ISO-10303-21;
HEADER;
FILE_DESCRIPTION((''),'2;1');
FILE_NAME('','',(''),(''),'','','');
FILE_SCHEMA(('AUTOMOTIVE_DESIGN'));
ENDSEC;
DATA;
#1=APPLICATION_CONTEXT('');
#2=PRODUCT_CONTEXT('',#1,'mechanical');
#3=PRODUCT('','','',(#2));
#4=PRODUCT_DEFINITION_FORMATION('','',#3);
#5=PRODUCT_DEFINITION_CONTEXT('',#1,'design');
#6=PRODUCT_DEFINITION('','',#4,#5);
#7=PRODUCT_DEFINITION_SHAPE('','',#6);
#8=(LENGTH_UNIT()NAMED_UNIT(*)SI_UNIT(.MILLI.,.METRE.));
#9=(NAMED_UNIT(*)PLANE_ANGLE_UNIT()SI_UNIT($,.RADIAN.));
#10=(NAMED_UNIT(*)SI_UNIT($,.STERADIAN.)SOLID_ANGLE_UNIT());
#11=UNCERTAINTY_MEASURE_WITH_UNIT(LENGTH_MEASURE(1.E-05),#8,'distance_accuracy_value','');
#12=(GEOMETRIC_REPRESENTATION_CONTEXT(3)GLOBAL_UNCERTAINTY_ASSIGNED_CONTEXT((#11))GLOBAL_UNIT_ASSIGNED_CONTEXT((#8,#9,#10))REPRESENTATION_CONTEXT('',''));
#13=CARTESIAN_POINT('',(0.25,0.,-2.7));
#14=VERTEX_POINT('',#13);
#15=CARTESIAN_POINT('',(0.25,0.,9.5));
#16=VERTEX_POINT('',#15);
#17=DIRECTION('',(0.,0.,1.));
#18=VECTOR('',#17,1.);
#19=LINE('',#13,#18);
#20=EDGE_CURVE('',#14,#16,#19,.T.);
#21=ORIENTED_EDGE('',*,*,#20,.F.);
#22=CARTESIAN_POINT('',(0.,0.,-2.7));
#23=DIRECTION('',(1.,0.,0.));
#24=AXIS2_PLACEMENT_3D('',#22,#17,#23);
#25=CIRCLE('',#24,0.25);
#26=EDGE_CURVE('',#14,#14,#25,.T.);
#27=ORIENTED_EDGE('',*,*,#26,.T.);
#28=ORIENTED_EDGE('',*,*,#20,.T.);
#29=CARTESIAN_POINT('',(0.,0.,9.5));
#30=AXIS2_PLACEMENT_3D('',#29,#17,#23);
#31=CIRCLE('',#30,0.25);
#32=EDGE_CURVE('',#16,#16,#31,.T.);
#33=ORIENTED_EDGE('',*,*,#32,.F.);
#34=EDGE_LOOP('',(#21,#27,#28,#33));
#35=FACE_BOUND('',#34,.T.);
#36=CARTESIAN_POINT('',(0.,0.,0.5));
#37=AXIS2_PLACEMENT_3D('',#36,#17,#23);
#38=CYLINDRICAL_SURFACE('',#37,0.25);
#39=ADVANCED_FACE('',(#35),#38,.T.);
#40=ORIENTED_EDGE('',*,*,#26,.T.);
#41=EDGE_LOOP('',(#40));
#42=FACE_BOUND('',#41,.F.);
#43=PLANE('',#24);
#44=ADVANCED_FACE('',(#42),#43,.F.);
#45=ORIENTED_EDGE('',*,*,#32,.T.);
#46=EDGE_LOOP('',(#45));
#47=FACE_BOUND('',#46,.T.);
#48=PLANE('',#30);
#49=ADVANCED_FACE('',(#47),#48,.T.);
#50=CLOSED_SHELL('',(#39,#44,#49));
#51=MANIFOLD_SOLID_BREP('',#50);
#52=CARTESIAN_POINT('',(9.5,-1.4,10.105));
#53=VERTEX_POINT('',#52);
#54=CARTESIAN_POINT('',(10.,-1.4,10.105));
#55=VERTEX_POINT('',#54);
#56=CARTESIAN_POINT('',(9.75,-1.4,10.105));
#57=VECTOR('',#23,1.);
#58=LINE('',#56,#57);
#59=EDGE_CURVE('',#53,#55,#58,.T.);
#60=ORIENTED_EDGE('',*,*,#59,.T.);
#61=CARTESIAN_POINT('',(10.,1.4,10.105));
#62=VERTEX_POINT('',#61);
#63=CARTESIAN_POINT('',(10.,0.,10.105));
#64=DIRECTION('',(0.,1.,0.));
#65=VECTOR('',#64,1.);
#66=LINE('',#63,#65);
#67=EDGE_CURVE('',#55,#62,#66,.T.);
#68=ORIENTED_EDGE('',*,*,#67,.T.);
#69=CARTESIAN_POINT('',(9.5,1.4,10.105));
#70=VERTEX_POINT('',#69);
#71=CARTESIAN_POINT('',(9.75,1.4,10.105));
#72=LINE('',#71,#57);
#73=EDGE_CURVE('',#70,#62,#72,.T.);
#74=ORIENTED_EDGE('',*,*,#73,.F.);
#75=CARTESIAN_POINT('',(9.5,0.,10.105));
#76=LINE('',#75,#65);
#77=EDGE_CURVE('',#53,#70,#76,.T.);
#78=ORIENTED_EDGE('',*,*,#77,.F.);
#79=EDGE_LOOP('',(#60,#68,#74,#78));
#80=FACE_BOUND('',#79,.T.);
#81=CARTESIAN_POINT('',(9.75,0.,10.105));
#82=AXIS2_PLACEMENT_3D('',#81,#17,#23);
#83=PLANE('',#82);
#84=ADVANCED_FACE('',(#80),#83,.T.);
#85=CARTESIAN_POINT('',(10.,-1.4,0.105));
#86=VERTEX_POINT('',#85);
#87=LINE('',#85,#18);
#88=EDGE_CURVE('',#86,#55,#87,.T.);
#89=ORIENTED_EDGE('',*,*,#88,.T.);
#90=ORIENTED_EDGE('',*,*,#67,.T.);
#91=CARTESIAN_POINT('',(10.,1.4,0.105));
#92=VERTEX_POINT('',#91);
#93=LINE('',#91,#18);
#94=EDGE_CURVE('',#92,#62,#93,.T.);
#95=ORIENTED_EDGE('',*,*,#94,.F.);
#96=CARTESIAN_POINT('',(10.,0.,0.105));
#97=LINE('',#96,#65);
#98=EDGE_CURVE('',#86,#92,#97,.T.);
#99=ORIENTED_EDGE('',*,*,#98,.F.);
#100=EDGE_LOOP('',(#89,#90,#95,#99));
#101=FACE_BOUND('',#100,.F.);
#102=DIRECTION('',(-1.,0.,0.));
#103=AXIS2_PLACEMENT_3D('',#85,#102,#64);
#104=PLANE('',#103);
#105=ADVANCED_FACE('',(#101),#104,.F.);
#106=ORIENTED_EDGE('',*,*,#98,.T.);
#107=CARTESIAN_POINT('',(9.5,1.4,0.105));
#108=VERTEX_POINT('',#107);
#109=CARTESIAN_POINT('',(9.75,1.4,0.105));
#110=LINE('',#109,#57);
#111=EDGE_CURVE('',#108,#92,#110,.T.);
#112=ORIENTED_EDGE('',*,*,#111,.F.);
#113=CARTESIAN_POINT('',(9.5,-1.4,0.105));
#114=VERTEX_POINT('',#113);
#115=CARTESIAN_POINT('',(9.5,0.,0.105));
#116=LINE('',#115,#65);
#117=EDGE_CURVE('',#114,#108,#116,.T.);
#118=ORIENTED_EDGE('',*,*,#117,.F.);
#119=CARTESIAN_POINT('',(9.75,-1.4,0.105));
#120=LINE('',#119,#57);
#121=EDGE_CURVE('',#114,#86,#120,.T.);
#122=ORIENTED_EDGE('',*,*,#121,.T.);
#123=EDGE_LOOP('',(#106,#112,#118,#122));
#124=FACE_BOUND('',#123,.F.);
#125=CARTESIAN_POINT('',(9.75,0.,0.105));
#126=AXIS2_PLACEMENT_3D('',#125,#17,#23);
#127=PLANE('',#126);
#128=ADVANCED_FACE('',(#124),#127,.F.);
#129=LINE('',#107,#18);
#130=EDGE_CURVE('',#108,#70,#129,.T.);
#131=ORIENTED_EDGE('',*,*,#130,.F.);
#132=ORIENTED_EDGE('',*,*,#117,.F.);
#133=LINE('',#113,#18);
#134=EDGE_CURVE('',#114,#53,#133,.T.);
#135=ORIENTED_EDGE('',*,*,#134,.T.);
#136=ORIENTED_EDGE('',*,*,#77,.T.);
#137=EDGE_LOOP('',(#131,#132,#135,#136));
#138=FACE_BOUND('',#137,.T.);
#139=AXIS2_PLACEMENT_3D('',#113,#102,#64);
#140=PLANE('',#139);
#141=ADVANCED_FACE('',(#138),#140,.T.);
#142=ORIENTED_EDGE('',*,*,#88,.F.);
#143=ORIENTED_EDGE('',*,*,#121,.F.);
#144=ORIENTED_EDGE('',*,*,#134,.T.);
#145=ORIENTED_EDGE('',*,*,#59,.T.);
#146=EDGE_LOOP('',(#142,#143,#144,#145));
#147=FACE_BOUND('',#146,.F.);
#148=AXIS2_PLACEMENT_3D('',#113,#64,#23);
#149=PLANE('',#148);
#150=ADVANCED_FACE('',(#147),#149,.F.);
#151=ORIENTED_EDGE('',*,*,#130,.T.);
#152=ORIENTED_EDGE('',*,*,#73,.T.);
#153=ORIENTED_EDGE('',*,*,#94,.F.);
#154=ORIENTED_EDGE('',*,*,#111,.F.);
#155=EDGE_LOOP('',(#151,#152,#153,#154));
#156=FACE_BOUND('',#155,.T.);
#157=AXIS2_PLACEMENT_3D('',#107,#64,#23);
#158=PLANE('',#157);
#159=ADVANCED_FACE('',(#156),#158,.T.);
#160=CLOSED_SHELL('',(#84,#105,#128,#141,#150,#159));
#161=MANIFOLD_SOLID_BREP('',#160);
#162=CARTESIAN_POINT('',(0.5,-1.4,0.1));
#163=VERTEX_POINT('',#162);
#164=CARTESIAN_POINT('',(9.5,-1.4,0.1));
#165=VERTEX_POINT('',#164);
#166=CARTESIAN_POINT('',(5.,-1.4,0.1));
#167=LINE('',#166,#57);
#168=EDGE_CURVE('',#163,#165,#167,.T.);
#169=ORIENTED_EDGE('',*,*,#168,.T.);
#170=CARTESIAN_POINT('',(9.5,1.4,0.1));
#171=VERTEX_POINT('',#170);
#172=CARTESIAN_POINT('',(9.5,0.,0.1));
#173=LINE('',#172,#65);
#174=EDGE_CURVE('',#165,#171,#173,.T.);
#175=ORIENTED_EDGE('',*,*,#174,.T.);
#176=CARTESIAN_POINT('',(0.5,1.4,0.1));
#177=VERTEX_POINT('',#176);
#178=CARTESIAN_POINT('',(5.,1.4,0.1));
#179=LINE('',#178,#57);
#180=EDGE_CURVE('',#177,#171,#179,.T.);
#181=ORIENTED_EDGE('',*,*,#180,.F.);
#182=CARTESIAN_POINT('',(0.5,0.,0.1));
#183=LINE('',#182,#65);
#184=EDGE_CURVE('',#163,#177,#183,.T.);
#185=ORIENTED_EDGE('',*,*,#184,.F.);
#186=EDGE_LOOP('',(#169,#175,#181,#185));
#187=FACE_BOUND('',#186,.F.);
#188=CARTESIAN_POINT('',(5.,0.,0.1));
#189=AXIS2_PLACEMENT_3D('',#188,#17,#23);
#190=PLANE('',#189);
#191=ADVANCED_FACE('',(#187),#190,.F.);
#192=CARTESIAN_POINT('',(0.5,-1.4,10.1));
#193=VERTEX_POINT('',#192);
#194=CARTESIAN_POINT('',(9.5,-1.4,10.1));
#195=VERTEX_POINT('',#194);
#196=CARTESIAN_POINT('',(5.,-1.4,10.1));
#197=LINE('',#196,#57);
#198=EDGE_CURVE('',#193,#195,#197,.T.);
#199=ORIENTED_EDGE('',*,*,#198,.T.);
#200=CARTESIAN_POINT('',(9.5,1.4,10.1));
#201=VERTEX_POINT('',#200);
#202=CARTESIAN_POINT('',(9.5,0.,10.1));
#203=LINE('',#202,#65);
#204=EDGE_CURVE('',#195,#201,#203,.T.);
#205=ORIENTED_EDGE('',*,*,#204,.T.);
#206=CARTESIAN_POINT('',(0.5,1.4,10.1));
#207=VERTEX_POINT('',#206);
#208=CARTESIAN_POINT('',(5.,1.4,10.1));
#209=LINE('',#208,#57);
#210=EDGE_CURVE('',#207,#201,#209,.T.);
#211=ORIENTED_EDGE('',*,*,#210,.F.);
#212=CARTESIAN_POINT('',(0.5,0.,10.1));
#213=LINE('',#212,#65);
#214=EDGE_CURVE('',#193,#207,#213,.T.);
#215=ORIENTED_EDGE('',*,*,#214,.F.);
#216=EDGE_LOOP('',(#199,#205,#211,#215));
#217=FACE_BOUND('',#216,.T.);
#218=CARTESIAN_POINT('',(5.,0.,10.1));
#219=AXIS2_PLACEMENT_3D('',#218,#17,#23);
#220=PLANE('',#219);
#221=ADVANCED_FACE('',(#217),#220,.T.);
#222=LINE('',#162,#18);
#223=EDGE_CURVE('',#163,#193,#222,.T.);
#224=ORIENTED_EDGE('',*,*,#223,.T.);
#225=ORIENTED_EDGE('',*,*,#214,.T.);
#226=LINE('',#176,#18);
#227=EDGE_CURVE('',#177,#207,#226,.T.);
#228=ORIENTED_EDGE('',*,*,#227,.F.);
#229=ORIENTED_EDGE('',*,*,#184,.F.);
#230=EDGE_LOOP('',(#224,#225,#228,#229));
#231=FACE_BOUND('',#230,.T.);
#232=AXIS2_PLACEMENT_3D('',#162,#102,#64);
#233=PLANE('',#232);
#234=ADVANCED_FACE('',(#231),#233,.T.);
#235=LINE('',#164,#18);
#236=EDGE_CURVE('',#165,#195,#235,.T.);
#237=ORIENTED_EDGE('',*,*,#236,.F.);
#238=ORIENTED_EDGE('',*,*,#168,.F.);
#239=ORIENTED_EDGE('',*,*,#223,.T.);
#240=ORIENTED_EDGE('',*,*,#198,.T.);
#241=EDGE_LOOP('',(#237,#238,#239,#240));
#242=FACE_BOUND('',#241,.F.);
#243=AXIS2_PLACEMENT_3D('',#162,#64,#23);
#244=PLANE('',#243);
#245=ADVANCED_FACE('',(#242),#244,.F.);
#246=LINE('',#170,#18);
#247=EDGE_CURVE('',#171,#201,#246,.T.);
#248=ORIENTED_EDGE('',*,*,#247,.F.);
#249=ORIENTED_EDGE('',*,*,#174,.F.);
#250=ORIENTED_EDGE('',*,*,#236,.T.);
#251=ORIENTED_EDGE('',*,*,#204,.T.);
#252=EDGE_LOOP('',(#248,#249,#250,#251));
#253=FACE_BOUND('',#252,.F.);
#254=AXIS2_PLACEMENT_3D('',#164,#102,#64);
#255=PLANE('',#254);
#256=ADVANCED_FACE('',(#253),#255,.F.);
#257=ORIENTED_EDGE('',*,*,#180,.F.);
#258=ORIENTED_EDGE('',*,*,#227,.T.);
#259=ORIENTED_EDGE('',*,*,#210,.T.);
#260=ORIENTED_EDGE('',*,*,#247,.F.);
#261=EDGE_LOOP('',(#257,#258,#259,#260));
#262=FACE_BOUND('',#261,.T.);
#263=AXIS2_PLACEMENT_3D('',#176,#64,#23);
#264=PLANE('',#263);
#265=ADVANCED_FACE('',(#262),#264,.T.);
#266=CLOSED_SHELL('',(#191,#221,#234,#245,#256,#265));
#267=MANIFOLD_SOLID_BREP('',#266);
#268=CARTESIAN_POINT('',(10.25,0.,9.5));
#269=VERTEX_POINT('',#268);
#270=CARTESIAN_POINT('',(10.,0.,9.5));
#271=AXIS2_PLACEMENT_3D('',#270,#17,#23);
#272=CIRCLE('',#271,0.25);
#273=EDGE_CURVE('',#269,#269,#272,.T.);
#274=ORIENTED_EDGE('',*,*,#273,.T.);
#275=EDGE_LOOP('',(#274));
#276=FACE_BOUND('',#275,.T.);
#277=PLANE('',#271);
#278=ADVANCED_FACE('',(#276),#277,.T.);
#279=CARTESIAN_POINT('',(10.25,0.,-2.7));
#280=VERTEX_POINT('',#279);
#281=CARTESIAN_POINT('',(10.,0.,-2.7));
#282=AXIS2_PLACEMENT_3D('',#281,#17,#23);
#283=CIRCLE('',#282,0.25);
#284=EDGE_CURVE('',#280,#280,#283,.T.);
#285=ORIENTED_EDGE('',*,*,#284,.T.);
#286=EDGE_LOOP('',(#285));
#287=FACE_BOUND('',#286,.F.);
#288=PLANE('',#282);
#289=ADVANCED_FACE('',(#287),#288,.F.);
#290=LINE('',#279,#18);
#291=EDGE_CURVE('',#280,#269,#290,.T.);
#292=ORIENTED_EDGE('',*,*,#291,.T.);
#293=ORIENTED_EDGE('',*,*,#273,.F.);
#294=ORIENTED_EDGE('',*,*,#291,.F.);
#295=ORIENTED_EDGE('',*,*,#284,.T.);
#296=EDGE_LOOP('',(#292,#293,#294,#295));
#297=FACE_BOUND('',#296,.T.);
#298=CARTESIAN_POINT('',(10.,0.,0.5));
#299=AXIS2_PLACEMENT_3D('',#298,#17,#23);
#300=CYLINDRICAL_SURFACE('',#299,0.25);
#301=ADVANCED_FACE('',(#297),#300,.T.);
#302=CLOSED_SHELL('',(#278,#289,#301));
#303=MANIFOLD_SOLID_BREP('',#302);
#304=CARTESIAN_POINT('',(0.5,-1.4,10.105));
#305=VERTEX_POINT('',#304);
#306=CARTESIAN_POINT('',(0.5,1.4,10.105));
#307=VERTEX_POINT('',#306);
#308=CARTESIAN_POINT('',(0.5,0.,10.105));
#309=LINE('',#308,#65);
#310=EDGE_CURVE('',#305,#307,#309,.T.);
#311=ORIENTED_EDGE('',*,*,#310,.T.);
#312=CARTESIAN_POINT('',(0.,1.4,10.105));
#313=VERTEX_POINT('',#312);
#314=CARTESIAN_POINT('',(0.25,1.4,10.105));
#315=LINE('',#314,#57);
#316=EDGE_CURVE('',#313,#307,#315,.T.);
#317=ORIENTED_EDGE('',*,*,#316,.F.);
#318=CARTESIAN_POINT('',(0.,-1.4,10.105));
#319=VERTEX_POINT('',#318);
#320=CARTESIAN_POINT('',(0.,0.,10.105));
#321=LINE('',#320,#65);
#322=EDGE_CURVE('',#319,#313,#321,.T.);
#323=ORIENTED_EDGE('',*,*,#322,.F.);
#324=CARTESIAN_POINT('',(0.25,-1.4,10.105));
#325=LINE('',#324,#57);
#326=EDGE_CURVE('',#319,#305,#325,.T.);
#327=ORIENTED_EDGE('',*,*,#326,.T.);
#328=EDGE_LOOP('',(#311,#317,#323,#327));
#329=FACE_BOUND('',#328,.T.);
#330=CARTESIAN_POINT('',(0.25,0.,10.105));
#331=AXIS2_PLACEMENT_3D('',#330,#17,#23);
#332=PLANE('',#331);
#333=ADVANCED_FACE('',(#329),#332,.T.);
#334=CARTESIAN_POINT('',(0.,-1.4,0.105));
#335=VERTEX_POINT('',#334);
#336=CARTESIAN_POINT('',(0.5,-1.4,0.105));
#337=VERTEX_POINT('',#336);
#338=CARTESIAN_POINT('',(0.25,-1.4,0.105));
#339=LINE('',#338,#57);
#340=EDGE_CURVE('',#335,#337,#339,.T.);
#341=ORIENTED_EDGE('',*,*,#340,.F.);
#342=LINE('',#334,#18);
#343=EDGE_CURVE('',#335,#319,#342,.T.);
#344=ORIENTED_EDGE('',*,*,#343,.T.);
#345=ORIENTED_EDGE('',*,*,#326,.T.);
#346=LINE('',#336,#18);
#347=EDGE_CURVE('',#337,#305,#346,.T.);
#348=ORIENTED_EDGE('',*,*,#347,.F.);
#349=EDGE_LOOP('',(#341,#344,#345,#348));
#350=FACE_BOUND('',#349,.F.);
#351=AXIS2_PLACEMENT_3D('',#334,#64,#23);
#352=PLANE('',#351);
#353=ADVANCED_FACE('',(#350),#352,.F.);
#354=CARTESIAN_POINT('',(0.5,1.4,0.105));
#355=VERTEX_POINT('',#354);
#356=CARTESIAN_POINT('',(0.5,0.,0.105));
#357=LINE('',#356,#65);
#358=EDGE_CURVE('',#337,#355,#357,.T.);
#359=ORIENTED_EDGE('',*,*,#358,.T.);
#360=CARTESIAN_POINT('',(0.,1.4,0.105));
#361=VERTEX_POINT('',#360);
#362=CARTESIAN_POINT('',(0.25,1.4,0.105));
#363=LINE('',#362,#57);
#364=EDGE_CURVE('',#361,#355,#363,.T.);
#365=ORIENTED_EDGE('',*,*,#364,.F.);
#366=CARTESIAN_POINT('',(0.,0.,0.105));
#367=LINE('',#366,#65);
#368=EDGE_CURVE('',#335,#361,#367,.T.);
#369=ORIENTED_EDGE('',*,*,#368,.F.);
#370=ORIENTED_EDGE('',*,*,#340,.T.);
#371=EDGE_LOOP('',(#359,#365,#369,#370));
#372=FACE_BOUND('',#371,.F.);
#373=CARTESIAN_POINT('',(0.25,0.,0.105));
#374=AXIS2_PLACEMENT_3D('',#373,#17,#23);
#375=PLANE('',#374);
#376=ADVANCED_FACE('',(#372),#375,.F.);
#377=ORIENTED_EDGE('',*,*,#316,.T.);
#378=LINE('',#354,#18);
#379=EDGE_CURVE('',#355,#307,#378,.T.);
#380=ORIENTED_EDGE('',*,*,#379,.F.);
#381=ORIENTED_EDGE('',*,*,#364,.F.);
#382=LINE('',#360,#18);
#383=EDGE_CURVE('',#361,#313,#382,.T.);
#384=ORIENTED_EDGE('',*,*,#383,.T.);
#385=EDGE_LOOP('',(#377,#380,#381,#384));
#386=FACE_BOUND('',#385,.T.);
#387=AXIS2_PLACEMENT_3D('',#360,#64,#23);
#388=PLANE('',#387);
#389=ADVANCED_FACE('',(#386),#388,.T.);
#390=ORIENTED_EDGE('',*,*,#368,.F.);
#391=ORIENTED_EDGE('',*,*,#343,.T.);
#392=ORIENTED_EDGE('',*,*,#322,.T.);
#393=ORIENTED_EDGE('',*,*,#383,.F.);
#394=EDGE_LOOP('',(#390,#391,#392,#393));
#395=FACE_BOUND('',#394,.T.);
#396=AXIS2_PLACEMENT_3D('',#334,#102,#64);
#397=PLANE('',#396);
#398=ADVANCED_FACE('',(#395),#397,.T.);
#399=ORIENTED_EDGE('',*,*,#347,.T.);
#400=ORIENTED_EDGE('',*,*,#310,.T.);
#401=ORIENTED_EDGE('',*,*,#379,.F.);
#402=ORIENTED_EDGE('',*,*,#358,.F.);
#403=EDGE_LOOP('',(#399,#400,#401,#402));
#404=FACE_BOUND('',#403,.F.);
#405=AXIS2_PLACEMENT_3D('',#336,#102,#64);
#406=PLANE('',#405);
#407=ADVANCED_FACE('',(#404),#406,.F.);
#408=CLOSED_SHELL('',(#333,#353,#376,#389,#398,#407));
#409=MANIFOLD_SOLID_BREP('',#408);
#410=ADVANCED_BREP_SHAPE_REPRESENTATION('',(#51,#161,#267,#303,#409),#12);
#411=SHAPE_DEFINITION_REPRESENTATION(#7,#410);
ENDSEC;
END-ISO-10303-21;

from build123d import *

# Parameters (mm, degrees)
SKETCH_W          = 9
SKETCH_H          = 2.8
PAD_DEPTH         = 10
SKETCH001_R       = 0.25
PAD001_DEPTH      = 9
PAD001_DEPTH_BACK = 3.2
SKETCH002_W       = 0.5
SKETCH002_H       = 2.8
PAD002_DEPTH      = 10


with BuildPart() as pad:
    # Sketch → Pad (new body)
    with BuildSketch(Plane.XY.offset(0.1)):
        with Locations((5, 0)):
            Rectangle(SKETCH_W, SKETCH_H)
    extrude(amount=PAD_DEPTH)


with BuildPart() as pad001:
    # Sketch001 → Pad001 (new body, two sides)
    with BuildSketch(Plane.XY.offset(0.5)) as pad001_sk:
        Circle(SKETCH001_R)
        with Locations((10, 0)):
            Circle(SKETCH001_R)
    extrude(amount=PAD001_DEPTH)
    extrude(pad001_sk.sketch, amount=-PAD001_DEPTH_BACK)


with BuildPart() as pad002:
    # Sketch002 → Pad002 (new body)
    with BuildSketch(Plane.XY.offset(0.105)):
        with Locations((0.25, 0)):
            Rectangle(SKETCH002_W, SKETCH002_H)
        with Locations((9.75, 0)):
            Rectangle(SKETCH002_W, SKETCH002_H)
    extrude(amount=PAD002_DEPTH)


solid = Compound([pad.part, pad001.part, pad002.part])
